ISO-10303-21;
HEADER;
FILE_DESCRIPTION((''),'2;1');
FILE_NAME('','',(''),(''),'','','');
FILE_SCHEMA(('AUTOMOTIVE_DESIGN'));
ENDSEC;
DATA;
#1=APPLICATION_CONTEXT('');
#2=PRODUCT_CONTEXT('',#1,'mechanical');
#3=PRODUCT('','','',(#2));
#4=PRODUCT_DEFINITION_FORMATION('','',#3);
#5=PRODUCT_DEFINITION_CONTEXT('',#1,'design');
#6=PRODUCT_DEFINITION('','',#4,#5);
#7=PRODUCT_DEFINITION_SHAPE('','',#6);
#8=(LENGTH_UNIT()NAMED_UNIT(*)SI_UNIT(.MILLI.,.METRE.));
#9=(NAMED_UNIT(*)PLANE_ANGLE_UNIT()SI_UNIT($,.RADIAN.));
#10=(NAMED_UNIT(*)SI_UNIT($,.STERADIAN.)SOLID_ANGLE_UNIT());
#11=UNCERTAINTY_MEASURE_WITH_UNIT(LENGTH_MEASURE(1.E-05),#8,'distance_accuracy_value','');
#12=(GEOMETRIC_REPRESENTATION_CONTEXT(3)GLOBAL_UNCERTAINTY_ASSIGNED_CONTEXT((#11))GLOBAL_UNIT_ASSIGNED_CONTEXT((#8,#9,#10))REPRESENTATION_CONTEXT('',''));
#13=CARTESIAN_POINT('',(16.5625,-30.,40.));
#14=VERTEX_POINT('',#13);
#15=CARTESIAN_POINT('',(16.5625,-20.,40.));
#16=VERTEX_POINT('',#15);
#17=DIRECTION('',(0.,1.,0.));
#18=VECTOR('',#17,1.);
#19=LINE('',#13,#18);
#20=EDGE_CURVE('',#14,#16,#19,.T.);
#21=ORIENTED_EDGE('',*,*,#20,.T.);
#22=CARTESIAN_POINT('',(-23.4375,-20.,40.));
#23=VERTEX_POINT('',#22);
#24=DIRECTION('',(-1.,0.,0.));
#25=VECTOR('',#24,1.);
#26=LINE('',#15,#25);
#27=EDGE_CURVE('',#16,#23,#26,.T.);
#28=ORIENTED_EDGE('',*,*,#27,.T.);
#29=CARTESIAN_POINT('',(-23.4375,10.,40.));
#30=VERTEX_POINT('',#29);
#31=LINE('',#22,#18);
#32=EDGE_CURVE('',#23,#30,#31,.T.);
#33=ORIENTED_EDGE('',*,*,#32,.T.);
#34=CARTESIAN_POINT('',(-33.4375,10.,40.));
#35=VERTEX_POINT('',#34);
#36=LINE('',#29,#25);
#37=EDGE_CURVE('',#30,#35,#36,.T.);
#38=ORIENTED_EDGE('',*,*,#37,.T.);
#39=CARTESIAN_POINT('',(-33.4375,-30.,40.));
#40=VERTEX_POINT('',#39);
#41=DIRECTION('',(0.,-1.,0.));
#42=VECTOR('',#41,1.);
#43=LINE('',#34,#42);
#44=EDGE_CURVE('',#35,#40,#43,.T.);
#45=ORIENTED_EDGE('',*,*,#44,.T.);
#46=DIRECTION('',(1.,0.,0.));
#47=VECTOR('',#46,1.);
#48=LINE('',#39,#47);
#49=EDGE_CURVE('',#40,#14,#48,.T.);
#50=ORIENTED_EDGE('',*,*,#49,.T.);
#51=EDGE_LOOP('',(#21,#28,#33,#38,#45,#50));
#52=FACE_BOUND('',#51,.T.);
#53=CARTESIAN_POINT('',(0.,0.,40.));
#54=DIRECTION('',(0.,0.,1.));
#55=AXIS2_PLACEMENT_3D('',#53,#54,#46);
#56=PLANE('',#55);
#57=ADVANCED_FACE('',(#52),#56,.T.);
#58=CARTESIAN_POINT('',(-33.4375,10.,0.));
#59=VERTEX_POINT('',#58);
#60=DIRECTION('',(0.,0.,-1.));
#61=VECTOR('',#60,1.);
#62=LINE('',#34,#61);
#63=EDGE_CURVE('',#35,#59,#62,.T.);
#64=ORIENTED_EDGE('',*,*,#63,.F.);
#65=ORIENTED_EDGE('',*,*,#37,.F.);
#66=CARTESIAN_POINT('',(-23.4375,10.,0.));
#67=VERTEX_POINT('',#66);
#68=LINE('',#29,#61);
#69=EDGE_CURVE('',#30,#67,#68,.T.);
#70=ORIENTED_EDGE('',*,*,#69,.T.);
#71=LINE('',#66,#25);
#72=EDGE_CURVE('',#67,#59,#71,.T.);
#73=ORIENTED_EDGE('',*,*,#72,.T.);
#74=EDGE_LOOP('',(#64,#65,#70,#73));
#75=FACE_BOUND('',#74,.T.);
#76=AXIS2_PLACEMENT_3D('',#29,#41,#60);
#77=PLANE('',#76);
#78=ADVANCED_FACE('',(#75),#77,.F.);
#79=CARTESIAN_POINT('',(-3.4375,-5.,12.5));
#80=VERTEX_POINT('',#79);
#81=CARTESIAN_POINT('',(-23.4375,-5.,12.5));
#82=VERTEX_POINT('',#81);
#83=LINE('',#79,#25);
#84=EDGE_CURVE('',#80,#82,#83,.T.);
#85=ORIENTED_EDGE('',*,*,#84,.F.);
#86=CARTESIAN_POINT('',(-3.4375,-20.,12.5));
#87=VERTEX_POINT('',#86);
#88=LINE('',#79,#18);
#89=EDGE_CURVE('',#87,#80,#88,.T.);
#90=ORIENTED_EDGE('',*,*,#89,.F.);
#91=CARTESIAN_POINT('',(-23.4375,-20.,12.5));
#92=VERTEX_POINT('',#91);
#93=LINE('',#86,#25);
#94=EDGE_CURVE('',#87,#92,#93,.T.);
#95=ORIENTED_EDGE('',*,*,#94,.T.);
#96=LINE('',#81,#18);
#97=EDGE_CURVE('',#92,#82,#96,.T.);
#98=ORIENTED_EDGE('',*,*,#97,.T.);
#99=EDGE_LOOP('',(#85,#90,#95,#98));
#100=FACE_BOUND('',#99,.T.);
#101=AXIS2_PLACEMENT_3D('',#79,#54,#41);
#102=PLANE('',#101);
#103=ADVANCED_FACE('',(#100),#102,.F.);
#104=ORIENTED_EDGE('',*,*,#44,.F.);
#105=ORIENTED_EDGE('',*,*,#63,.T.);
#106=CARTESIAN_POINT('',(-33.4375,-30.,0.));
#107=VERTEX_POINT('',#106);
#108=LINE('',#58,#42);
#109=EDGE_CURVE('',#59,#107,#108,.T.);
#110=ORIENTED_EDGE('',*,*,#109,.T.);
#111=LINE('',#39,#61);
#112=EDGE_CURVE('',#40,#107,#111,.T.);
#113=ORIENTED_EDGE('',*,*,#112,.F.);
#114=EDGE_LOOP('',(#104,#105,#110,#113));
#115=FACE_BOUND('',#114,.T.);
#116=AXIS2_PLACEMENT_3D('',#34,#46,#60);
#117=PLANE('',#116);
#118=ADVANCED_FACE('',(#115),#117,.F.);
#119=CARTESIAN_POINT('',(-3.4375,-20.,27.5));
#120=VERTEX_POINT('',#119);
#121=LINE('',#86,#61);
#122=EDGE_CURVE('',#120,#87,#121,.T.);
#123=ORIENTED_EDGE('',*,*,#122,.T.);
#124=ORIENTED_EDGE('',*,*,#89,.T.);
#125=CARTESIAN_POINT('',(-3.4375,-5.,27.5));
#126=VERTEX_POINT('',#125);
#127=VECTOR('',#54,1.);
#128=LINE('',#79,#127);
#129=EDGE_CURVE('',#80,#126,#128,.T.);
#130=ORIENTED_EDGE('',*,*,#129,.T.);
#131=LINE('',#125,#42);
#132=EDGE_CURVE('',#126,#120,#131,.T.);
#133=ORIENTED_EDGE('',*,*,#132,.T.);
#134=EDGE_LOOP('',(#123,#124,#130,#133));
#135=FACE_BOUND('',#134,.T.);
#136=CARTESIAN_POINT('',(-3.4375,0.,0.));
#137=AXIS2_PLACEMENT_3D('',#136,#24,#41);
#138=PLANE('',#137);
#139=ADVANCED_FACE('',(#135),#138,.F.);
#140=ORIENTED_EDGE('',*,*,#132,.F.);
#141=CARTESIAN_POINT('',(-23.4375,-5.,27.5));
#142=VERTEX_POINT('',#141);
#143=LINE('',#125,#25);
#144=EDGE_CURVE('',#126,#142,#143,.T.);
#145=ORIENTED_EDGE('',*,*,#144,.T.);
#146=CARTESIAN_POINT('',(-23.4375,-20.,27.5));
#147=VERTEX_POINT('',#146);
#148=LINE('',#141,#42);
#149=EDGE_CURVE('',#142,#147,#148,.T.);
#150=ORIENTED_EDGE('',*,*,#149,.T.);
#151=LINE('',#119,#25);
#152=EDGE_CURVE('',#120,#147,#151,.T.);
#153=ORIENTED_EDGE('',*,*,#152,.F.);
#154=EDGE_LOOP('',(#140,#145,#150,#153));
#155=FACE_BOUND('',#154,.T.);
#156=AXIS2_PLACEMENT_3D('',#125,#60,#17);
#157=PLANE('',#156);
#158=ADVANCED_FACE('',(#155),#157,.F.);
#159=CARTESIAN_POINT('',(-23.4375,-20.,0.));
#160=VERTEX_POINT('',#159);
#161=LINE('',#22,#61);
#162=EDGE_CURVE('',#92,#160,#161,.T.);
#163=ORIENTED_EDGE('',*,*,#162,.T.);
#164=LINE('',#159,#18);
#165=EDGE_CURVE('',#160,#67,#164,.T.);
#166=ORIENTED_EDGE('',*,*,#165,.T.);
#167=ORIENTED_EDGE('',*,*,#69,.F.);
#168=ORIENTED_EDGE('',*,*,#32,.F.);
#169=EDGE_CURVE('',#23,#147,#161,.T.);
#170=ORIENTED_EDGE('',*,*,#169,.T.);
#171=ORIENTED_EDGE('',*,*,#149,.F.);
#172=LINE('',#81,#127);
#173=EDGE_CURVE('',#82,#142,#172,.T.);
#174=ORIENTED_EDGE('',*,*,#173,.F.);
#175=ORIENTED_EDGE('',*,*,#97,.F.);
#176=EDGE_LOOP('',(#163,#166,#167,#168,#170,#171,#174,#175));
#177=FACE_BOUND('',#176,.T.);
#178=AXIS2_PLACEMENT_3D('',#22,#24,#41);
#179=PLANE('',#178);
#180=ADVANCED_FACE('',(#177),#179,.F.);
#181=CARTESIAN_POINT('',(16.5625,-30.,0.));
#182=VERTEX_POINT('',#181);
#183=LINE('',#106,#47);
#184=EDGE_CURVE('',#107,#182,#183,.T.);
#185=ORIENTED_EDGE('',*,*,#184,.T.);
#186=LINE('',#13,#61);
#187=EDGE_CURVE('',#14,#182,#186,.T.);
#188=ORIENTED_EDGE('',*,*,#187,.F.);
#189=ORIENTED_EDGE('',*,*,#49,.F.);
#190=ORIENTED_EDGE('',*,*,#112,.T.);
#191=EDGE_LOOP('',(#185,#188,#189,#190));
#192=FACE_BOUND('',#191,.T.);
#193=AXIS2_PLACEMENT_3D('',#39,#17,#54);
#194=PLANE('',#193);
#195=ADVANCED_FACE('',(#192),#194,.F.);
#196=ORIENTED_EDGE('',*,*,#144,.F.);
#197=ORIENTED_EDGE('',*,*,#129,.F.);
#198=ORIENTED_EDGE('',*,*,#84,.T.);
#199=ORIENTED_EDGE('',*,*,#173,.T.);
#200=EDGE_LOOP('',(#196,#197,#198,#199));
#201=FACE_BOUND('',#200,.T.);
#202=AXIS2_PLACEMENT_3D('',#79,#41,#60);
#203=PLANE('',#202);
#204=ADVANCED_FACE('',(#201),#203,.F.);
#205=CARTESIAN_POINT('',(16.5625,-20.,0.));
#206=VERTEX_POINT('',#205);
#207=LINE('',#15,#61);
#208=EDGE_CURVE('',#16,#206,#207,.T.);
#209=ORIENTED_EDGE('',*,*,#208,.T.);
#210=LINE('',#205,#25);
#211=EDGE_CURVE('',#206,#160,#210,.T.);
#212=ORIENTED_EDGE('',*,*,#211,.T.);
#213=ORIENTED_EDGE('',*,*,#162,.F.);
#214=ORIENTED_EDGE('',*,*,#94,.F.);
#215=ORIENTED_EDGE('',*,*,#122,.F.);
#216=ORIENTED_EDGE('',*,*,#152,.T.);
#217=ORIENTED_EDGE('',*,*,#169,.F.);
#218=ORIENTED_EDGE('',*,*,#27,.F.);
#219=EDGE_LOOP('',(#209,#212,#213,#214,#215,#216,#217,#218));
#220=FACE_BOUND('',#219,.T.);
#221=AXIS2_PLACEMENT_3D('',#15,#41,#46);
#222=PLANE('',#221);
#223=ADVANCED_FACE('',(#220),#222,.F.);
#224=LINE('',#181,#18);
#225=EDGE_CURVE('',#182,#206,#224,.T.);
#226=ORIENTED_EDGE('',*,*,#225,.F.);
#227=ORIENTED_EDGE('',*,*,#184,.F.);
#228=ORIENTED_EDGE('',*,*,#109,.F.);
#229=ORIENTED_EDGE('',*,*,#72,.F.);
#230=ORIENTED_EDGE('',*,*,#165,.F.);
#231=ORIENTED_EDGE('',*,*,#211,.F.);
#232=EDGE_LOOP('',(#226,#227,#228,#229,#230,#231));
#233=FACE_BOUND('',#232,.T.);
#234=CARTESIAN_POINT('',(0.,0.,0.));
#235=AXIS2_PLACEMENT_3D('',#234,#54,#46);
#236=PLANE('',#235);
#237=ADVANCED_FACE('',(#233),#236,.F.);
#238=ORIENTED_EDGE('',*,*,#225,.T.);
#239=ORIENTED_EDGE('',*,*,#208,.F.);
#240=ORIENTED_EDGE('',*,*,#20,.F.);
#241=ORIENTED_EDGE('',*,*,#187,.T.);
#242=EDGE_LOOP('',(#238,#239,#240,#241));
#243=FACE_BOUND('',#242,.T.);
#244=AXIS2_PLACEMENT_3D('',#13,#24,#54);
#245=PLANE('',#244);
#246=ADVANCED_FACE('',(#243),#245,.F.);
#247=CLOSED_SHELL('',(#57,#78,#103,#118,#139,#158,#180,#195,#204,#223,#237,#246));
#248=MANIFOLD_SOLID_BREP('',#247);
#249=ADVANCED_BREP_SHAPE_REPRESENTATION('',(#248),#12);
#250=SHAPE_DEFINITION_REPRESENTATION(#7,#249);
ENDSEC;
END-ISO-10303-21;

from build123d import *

# Parameters (mm, degrees)
BOSS_EXTRUDE1_DEPTH = 40
SKETCH2_W           = 15
SKETCH2_H           = 15
BOSS_EXTRUDE2_DEPTH = 20


with BuildPart() as part:
    # Sketch1 → Boss-Extrude1 (new body)
    with BuildSketch(Plane.XY):
        Polygon((-23.4375, 10), (-33.4375, 10), (-33.4375, -30), (16.5625, -30), (16.5625, -20), (-23.4375, -20), align=None)
    extrude(amount=BOSS_EXTRUDE1_DEPTH)

    # Sketch2 → Boss-Extrude2 (add)
    with BuildSketch(Plane(origin=(-23.4375, 0, 0), x_dir=(0, 0, -1), z_dir=(1, 0, 0))):
        with Locations((-20, -12.5)):
            Rectangle(SKETCH2_W, SKETCH2_H)
    extrude(amount=BOSS_EXTRUDE2_DEPTH)


solid = part.part
